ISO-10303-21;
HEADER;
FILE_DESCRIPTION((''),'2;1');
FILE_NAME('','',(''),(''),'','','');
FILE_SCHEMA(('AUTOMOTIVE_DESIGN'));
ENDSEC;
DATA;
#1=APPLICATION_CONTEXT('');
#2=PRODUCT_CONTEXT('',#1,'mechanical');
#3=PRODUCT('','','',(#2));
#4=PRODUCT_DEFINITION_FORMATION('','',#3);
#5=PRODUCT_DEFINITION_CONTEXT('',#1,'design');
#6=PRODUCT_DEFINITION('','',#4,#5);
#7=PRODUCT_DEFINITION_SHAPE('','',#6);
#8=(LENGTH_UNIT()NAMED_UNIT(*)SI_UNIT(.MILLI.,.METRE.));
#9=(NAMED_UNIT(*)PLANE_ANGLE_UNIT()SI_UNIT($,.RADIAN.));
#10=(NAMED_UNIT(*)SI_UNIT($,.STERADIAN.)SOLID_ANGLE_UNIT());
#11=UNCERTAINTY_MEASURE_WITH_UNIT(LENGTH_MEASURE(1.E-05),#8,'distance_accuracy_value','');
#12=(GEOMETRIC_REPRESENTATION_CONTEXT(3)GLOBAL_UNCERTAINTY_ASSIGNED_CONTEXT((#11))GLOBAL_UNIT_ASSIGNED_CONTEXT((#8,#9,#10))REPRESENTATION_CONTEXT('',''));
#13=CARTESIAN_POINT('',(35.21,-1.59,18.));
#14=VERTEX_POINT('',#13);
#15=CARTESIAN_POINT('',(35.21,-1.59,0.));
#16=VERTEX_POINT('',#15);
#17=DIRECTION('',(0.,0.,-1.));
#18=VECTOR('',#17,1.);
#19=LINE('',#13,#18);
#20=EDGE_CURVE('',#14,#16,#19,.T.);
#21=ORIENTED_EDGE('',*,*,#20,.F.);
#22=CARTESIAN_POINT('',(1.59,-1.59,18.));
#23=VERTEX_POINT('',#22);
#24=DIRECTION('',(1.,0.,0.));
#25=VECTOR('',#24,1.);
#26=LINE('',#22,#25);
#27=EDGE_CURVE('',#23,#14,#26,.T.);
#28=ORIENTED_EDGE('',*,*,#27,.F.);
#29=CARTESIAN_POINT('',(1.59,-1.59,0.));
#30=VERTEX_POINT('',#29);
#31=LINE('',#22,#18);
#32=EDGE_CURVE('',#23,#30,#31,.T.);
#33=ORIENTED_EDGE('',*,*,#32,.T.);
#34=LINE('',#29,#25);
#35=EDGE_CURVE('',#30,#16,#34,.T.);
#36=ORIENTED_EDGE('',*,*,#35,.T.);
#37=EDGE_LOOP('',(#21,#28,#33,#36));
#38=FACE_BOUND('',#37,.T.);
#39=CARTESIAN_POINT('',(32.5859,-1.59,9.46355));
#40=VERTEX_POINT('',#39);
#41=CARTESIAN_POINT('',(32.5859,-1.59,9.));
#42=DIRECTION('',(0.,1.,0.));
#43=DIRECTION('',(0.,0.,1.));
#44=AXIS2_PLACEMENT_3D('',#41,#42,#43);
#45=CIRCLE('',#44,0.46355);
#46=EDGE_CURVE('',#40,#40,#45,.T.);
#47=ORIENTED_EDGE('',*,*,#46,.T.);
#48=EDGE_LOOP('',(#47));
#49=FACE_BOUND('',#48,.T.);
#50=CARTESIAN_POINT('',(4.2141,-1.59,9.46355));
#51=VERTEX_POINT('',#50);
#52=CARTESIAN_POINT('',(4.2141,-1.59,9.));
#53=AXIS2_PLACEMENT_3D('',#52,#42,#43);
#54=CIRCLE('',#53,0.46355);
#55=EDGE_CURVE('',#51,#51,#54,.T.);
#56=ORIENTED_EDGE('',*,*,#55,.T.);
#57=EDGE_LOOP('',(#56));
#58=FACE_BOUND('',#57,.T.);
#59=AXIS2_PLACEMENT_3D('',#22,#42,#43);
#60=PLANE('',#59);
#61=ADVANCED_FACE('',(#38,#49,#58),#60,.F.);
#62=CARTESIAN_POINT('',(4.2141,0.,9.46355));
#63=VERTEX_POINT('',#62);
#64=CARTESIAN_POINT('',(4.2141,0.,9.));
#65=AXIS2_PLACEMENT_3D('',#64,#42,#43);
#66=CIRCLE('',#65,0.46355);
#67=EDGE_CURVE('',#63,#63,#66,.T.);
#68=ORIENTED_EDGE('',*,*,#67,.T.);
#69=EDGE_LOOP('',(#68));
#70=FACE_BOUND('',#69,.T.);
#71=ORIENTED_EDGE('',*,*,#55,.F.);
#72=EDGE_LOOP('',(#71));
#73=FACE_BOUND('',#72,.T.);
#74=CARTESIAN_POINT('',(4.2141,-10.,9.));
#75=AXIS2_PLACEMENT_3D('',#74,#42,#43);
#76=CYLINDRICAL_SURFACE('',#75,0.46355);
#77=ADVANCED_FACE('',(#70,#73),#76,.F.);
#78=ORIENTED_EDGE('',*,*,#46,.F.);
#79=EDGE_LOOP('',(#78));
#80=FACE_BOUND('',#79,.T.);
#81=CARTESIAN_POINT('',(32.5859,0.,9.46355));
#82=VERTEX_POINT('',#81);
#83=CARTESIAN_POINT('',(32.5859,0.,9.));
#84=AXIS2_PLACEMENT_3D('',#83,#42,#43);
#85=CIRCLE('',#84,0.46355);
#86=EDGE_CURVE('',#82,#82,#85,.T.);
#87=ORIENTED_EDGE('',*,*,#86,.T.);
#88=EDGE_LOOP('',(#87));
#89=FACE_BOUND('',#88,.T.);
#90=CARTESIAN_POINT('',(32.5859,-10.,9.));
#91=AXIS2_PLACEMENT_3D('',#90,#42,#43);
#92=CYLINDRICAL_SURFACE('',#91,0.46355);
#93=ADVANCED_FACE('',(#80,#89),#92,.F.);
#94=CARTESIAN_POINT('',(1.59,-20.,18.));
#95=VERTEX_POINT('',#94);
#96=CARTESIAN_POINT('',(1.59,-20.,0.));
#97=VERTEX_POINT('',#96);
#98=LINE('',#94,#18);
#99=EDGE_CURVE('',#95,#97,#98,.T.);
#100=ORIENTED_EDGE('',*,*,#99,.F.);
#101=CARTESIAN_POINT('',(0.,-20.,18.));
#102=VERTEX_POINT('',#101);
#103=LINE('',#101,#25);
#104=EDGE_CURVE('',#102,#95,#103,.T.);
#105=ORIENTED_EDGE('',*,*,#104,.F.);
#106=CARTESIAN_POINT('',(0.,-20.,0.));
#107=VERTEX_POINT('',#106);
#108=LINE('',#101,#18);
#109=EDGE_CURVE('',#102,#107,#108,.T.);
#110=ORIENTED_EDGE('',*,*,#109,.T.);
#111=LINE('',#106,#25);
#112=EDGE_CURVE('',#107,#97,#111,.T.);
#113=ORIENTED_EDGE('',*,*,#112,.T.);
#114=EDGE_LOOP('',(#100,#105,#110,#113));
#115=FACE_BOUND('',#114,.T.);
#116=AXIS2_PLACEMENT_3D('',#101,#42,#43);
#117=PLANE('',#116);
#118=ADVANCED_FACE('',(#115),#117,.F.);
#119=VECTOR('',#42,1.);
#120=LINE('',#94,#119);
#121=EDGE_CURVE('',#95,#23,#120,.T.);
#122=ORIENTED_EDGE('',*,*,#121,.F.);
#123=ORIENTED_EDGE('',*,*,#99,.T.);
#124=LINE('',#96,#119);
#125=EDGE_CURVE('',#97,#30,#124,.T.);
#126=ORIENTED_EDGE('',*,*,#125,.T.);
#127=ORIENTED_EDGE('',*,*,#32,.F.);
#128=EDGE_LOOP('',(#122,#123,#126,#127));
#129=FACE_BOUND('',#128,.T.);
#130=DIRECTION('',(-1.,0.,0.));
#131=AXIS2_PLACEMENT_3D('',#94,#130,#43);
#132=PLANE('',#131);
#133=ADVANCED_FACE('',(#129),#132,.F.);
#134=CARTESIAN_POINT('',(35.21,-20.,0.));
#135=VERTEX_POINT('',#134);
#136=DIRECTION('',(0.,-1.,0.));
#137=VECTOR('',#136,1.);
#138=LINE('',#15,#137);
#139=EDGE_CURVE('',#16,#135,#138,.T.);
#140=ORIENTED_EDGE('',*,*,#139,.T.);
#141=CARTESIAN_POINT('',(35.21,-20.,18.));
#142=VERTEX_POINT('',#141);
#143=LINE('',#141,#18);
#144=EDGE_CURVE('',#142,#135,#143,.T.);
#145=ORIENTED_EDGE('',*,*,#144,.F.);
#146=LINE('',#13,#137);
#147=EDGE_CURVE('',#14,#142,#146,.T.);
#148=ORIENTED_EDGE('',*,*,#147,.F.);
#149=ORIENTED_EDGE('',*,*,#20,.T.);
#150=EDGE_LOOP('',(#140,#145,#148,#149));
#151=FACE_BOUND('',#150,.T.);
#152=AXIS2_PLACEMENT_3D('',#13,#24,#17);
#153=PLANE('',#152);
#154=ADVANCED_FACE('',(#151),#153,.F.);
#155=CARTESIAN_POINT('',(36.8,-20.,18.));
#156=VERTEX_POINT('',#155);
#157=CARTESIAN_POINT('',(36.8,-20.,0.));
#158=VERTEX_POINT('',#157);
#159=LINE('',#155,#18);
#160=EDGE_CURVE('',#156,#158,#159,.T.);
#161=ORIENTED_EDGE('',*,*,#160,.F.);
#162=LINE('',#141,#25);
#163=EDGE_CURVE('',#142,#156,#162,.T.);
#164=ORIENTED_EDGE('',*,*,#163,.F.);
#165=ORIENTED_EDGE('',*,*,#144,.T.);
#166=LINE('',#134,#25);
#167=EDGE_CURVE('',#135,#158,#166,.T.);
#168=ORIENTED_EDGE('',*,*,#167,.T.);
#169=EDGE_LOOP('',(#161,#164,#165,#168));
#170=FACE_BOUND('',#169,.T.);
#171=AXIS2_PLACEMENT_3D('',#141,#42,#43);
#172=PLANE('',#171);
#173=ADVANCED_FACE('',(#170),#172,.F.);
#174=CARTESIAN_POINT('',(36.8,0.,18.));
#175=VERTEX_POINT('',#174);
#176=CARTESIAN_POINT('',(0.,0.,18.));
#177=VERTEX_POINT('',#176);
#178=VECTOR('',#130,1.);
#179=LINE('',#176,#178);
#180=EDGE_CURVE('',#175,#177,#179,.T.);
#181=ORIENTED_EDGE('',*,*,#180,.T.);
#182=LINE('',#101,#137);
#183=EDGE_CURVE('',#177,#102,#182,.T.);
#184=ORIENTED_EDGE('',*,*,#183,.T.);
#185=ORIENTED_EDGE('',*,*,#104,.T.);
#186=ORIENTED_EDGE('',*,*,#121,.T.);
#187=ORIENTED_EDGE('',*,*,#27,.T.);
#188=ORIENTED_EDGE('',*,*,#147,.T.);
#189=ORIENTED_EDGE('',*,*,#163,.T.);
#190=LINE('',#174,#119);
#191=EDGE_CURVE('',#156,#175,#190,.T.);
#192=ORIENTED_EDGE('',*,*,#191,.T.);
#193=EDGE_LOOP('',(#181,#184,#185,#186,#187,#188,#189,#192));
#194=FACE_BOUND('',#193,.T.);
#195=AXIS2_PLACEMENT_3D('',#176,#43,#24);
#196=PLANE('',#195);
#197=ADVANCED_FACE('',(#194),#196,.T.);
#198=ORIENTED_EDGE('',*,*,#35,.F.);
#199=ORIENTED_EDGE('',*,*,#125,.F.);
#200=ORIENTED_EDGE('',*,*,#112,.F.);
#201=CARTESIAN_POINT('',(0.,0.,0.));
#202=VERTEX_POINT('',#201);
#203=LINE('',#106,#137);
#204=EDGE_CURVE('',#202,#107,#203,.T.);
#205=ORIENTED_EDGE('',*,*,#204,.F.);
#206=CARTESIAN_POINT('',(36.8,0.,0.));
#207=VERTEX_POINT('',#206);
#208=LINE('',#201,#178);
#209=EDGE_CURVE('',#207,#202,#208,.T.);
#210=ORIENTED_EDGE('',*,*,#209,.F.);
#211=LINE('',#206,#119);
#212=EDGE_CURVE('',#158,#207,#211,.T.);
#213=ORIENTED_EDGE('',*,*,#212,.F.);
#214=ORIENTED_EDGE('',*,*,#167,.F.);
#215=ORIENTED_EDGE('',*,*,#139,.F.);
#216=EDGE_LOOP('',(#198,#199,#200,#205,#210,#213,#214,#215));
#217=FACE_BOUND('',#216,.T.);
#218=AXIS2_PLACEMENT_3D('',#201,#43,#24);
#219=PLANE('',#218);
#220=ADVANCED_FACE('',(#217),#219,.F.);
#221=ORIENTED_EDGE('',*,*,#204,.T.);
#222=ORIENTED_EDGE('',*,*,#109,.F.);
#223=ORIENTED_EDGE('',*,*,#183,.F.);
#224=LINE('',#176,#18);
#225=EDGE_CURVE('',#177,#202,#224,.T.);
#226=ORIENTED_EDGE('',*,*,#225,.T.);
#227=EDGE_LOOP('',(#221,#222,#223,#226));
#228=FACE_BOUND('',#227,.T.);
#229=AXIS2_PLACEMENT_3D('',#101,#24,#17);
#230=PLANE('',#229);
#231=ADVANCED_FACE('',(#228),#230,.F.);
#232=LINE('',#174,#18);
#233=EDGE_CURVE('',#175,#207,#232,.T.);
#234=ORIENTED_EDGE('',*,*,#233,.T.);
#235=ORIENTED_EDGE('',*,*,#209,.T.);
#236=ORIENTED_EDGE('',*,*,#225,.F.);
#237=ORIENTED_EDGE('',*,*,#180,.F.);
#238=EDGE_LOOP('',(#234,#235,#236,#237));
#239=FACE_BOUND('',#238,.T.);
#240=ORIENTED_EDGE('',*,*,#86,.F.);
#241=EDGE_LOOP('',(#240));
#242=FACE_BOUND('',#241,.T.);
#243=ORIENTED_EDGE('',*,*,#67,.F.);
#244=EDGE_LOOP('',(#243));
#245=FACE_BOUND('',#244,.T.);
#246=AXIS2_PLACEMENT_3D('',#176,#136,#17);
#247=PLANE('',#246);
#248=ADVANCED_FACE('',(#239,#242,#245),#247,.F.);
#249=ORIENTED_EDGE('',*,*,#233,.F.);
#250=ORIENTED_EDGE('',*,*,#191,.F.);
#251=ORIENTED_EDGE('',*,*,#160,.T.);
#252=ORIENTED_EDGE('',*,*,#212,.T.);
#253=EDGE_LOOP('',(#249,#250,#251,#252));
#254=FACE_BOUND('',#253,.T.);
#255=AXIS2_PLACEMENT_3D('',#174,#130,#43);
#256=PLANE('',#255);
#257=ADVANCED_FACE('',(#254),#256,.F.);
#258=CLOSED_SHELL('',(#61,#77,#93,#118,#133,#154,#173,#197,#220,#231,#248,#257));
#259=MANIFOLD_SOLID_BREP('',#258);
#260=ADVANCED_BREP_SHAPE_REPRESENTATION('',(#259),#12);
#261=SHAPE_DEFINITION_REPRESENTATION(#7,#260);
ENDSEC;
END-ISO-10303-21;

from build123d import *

# Parameters (mm, degrees)
BOSS_EXTRUDE1_DEPTH = 18
SKETCH2_R           = 0.46355
CUT_EXTRUDE1_DEPTH  = 10


with BuildPart() as part:
    # Sketch1 → Boss-Extrude1 (new body)
    with BuildSketch(Plane.XY):
        Polygon((1.59, -20), (1.59, -1.59), (35.21, -1.59), (35.21, -20), (36.8, -20), (36.8, 0), (0, 0), (0, -20), align=None)
    extrude(amount=BOSS_EXTRUDE1_DEPTH)

    # Sketch2 → Cut-Extrude1 (cut)
    with BuildSketch(Plane(origin=(0, 0, 0), x_dir=(1, 0, 0), z_dir=(0, 1, 0))):
        with Locations(Location((4.2141, -9, 0), (0, 0, 270))):
            Circle(SKETCH2_R)
        with Locations(Location((32.5859, -9, 0), (0, 0, 270))):
            Circle(SKETCH2_R)
    extrude(amount=-CUT_EXTRUDE1_DEPTH, mode=Mode.SUBTRACT)


solid = part.part
